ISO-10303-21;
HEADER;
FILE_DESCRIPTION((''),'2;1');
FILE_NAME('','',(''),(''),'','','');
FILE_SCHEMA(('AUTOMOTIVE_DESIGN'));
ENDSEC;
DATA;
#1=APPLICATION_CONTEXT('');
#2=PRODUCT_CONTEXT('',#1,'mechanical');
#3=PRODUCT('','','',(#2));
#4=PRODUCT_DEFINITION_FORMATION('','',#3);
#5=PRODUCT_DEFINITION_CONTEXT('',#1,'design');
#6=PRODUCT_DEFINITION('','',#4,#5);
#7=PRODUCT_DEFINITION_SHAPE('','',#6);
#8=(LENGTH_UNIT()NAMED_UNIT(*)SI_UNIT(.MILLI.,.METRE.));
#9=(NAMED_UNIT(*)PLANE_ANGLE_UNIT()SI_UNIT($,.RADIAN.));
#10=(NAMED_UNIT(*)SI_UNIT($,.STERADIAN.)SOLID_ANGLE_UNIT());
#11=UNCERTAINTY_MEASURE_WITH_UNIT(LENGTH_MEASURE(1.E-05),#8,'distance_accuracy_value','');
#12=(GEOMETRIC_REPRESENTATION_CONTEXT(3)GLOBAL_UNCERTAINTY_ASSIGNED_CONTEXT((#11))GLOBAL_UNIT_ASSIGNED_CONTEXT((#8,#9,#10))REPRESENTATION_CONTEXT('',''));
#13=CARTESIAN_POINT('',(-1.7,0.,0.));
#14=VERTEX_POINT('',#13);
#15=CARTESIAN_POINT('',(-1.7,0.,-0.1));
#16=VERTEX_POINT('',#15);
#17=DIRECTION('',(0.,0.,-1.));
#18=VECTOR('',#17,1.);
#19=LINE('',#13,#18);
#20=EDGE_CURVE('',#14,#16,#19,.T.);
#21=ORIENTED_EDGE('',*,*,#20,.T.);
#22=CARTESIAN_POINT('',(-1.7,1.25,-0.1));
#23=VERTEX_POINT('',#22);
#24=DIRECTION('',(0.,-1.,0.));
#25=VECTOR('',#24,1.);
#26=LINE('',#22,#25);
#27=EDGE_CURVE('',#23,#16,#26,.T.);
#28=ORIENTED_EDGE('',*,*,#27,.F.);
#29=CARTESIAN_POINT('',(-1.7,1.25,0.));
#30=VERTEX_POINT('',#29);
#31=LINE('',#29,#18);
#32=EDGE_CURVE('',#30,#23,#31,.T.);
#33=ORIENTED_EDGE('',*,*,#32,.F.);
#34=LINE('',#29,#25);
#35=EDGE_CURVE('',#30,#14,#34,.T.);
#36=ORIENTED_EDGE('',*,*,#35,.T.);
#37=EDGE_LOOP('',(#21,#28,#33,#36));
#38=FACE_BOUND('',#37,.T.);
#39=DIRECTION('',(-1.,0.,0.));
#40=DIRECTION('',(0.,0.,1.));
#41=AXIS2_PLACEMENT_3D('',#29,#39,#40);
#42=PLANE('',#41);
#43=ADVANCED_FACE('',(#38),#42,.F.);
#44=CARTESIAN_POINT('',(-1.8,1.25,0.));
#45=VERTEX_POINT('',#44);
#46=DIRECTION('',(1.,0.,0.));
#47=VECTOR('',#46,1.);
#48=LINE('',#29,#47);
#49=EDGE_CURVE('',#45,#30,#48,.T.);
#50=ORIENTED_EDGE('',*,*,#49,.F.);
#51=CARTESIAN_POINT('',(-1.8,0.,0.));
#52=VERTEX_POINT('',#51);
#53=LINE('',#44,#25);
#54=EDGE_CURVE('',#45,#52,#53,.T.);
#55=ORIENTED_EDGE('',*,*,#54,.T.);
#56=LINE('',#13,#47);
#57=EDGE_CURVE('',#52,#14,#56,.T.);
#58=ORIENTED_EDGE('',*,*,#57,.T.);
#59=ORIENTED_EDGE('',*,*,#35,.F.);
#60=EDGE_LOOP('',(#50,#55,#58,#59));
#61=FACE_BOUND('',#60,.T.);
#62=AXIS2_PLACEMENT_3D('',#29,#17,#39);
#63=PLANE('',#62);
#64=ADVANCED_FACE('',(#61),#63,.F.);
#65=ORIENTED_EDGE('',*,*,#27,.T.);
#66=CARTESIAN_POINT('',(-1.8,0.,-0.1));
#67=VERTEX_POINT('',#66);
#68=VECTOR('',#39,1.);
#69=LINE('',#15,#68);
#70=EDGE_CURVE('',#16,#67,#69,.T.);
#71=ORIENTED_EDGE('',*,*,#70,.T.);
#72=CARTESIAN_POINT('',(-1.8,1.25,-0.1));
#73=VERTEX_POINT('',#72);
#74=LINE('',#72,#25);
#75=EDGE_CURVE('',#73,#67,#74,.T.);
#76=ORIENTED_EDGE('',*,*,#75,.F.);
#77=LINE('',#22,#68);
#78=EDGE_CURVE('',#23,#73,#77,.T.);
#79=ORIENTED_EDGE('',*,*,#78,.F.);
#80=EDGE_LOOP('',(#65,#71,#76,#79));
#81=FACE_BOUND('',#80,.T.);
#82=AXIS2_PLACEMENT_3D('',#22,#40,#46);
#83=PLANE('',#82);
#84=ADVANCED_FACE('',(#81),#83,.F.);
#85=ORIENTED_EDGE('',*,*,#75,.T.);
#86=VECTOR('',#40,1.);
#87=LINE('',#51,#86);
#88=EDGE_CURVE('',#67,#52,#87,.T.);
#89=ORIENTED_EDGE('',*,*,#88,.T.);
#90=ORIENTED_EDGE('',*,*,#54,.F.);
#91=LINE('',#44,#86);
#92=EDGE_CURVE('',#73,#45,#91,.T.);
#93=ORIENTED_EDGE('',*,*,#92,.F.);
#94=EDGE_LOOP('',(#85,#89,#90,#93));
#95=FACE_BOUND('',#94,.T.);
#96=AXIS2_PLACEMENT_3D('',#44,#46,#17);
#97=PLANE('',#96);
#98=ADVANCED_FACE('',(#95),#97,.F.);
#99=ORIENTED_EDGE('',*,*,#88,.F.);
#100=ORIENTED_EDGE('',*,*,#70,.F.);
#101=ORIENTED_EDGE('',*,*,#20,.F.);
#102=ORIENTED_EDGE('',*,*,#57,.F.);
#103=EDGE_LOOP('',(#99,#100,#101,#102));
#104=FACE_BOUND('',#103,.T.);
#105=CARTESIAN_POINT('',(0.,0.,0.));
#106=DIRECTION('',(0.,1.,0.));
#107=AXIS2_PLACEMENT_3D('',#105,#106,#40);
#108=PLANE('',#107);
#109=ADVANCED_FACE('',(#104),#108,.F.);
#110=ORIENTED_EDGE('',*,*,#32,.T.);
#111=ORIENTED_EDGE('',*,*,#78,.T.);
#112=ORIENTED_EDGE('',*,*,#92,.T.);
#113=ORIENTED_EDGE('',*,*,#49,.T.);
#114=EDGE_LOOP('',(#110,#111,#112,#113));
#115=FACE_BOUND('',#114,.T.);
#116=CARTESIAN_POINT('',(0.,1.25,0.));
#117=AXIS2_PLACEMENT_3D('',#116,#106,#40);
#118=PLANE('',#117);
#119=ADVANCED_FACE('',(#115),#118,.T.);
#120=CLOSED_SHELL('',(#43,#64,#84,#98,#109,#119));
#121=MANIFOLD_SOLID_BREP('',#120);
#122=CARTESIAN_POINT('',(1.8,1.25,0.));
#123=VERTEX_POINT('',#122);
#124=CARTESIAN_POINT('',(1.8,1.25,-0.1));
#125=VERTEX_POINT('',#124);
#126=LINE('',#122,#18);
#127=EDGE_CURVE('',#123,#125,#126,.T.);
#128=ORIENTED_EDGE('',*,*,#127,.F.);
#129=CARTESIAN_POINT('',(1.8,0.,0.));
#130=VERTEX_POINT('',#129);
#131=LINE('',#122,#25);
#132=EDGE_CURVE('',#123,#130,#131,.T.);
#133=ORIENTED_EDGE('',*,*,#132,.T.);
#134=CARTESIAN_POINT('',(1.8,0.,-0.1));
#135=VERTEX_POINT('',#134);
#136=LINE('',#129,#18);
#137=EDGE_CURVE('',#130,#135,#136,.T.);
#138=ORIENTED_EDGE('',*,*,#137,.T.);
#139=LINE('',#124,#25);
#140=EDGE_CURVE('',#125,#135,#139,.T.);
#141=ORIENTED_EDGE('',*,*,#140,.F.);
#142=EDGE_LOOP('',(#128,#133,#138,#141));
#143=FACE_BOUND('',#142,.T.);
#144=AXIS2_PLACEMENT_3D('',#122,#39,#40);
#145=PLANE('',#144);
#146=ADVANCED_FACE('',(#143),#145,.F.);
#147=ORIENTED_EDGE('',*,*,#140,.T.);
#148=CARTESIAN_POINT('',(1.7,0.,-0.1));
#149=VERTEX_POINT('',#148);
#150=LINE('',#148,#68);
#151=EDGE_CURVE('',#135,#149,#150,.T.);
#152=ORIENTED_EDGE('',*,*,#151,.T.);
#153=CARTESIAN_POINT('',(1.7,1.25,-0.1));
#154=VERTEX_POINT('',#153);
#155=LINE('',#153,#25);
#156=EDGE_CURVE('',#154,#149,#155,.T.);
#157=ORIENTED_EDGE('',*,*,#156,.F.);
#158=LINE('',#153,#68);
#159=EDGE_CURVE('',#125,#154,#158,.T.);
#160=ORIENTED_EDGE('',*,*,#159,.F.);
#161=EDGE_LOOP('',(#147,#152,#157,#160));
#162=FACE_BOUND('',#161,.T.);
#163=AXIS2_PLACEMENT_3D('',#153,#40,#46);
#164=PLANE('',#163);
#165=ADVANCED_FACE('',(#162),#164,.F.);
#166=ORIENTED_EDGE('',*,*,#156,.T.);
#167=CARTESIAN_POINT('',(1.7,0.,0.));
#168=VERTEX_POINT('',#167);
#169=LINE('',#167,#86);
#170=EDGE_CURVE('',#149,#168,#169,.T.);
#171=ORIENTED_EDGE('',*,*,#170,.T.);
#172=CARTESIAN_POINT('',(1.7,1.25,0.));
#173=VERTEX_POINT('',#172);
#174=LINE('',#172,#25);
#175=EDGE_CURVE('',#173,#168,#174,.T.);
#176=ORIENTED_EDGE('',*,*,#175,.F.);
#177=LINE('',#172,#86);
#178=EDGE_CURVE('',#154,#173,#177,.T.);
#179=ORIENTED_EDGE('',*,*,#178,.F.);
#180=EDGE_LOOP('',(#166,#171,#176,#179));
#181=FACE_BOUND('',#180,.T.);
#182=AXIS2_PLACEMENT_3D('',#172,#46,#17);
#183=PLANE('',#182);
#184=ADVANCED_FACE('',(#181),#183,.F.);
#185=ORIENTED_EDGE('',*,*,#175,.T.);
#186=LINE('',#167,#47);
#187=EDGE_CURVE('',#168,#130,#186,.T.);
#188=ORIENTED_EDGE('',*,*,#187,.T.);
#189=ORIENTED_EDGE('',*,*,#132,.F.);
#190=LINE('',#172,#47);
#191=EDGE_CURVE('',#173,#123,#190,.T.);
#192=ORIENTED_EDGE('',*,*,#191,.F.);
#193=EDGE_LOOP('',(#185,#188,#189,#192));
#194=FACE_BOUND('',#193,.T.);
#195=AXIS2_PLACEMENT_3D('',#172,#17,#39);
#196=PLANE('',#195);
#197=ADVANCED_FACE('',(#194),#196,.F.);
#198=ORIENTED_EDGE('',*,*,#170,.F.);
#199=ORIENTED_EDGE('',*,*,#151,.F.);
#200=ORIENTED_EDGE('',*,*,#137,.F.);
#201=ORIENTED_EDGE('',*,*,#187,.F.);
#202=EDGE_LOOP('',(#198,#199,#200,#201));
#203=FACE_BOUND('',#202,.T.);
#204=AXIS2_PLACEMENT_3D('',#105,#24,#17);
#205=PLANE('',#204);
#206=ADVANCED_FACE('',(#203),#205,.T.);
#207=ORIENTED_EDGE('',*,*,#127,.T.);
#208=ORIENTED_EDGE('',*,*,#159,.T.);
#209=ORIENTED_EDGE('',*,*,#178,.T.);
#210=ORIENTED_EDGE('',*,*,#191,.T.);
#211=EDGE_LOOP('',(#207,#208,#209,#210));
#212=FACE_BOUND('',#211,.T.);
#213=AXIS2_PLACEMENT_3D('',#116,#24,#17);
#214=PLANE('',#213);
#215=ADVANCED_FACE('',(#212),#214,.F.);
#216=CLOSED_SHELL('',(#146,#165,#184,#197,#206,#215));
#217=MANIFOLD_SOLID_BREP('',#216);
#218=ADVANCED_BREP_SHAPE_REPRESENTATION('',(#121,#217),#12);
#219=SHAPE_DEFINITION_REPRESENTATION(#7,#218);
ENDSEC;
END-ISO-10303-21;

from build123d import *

# Parameters (mm, degrees)
SKETCH1_W             = 0.1
SKETCH1_H             = 0.1
BOSS_EXTRUDE1_DEPTH   = 1.25
BOSS_EXTRUDE1_2_DEPTH = 1.25


with BuildPart() as part:
    # Sketch1 → Boss-Extrude1 (new body)
    with BuildSketch(Plane(origin=(0, 0, 0), x_dir=(1, 0, 0), z_dir=(0, 1, 0))):
        with Locations((-1.75, 0.05)):
            Rectangle(SKETCH1_W, SKETCH1_H)
    extrude(amount=BOSS_EXTRUDE1_DEPTH)


with BuildPart() as body_2:
    # Sketch1 → Boss-Extrude1 2 (new body)
    with BuildSketch(Plane(origin=(0, 0, 0), x_dir=(1, 0, 0), z_dir=(0, 1, 0))):
        with Locations((1.75, 0.05)):
            Rectangle(SKETCH1_W, SKETCH1_H)
    extrude(amount=BOSS_EXTRUDE1_2_DEPTH)


solid = Compound([part.part, body_2.part])
